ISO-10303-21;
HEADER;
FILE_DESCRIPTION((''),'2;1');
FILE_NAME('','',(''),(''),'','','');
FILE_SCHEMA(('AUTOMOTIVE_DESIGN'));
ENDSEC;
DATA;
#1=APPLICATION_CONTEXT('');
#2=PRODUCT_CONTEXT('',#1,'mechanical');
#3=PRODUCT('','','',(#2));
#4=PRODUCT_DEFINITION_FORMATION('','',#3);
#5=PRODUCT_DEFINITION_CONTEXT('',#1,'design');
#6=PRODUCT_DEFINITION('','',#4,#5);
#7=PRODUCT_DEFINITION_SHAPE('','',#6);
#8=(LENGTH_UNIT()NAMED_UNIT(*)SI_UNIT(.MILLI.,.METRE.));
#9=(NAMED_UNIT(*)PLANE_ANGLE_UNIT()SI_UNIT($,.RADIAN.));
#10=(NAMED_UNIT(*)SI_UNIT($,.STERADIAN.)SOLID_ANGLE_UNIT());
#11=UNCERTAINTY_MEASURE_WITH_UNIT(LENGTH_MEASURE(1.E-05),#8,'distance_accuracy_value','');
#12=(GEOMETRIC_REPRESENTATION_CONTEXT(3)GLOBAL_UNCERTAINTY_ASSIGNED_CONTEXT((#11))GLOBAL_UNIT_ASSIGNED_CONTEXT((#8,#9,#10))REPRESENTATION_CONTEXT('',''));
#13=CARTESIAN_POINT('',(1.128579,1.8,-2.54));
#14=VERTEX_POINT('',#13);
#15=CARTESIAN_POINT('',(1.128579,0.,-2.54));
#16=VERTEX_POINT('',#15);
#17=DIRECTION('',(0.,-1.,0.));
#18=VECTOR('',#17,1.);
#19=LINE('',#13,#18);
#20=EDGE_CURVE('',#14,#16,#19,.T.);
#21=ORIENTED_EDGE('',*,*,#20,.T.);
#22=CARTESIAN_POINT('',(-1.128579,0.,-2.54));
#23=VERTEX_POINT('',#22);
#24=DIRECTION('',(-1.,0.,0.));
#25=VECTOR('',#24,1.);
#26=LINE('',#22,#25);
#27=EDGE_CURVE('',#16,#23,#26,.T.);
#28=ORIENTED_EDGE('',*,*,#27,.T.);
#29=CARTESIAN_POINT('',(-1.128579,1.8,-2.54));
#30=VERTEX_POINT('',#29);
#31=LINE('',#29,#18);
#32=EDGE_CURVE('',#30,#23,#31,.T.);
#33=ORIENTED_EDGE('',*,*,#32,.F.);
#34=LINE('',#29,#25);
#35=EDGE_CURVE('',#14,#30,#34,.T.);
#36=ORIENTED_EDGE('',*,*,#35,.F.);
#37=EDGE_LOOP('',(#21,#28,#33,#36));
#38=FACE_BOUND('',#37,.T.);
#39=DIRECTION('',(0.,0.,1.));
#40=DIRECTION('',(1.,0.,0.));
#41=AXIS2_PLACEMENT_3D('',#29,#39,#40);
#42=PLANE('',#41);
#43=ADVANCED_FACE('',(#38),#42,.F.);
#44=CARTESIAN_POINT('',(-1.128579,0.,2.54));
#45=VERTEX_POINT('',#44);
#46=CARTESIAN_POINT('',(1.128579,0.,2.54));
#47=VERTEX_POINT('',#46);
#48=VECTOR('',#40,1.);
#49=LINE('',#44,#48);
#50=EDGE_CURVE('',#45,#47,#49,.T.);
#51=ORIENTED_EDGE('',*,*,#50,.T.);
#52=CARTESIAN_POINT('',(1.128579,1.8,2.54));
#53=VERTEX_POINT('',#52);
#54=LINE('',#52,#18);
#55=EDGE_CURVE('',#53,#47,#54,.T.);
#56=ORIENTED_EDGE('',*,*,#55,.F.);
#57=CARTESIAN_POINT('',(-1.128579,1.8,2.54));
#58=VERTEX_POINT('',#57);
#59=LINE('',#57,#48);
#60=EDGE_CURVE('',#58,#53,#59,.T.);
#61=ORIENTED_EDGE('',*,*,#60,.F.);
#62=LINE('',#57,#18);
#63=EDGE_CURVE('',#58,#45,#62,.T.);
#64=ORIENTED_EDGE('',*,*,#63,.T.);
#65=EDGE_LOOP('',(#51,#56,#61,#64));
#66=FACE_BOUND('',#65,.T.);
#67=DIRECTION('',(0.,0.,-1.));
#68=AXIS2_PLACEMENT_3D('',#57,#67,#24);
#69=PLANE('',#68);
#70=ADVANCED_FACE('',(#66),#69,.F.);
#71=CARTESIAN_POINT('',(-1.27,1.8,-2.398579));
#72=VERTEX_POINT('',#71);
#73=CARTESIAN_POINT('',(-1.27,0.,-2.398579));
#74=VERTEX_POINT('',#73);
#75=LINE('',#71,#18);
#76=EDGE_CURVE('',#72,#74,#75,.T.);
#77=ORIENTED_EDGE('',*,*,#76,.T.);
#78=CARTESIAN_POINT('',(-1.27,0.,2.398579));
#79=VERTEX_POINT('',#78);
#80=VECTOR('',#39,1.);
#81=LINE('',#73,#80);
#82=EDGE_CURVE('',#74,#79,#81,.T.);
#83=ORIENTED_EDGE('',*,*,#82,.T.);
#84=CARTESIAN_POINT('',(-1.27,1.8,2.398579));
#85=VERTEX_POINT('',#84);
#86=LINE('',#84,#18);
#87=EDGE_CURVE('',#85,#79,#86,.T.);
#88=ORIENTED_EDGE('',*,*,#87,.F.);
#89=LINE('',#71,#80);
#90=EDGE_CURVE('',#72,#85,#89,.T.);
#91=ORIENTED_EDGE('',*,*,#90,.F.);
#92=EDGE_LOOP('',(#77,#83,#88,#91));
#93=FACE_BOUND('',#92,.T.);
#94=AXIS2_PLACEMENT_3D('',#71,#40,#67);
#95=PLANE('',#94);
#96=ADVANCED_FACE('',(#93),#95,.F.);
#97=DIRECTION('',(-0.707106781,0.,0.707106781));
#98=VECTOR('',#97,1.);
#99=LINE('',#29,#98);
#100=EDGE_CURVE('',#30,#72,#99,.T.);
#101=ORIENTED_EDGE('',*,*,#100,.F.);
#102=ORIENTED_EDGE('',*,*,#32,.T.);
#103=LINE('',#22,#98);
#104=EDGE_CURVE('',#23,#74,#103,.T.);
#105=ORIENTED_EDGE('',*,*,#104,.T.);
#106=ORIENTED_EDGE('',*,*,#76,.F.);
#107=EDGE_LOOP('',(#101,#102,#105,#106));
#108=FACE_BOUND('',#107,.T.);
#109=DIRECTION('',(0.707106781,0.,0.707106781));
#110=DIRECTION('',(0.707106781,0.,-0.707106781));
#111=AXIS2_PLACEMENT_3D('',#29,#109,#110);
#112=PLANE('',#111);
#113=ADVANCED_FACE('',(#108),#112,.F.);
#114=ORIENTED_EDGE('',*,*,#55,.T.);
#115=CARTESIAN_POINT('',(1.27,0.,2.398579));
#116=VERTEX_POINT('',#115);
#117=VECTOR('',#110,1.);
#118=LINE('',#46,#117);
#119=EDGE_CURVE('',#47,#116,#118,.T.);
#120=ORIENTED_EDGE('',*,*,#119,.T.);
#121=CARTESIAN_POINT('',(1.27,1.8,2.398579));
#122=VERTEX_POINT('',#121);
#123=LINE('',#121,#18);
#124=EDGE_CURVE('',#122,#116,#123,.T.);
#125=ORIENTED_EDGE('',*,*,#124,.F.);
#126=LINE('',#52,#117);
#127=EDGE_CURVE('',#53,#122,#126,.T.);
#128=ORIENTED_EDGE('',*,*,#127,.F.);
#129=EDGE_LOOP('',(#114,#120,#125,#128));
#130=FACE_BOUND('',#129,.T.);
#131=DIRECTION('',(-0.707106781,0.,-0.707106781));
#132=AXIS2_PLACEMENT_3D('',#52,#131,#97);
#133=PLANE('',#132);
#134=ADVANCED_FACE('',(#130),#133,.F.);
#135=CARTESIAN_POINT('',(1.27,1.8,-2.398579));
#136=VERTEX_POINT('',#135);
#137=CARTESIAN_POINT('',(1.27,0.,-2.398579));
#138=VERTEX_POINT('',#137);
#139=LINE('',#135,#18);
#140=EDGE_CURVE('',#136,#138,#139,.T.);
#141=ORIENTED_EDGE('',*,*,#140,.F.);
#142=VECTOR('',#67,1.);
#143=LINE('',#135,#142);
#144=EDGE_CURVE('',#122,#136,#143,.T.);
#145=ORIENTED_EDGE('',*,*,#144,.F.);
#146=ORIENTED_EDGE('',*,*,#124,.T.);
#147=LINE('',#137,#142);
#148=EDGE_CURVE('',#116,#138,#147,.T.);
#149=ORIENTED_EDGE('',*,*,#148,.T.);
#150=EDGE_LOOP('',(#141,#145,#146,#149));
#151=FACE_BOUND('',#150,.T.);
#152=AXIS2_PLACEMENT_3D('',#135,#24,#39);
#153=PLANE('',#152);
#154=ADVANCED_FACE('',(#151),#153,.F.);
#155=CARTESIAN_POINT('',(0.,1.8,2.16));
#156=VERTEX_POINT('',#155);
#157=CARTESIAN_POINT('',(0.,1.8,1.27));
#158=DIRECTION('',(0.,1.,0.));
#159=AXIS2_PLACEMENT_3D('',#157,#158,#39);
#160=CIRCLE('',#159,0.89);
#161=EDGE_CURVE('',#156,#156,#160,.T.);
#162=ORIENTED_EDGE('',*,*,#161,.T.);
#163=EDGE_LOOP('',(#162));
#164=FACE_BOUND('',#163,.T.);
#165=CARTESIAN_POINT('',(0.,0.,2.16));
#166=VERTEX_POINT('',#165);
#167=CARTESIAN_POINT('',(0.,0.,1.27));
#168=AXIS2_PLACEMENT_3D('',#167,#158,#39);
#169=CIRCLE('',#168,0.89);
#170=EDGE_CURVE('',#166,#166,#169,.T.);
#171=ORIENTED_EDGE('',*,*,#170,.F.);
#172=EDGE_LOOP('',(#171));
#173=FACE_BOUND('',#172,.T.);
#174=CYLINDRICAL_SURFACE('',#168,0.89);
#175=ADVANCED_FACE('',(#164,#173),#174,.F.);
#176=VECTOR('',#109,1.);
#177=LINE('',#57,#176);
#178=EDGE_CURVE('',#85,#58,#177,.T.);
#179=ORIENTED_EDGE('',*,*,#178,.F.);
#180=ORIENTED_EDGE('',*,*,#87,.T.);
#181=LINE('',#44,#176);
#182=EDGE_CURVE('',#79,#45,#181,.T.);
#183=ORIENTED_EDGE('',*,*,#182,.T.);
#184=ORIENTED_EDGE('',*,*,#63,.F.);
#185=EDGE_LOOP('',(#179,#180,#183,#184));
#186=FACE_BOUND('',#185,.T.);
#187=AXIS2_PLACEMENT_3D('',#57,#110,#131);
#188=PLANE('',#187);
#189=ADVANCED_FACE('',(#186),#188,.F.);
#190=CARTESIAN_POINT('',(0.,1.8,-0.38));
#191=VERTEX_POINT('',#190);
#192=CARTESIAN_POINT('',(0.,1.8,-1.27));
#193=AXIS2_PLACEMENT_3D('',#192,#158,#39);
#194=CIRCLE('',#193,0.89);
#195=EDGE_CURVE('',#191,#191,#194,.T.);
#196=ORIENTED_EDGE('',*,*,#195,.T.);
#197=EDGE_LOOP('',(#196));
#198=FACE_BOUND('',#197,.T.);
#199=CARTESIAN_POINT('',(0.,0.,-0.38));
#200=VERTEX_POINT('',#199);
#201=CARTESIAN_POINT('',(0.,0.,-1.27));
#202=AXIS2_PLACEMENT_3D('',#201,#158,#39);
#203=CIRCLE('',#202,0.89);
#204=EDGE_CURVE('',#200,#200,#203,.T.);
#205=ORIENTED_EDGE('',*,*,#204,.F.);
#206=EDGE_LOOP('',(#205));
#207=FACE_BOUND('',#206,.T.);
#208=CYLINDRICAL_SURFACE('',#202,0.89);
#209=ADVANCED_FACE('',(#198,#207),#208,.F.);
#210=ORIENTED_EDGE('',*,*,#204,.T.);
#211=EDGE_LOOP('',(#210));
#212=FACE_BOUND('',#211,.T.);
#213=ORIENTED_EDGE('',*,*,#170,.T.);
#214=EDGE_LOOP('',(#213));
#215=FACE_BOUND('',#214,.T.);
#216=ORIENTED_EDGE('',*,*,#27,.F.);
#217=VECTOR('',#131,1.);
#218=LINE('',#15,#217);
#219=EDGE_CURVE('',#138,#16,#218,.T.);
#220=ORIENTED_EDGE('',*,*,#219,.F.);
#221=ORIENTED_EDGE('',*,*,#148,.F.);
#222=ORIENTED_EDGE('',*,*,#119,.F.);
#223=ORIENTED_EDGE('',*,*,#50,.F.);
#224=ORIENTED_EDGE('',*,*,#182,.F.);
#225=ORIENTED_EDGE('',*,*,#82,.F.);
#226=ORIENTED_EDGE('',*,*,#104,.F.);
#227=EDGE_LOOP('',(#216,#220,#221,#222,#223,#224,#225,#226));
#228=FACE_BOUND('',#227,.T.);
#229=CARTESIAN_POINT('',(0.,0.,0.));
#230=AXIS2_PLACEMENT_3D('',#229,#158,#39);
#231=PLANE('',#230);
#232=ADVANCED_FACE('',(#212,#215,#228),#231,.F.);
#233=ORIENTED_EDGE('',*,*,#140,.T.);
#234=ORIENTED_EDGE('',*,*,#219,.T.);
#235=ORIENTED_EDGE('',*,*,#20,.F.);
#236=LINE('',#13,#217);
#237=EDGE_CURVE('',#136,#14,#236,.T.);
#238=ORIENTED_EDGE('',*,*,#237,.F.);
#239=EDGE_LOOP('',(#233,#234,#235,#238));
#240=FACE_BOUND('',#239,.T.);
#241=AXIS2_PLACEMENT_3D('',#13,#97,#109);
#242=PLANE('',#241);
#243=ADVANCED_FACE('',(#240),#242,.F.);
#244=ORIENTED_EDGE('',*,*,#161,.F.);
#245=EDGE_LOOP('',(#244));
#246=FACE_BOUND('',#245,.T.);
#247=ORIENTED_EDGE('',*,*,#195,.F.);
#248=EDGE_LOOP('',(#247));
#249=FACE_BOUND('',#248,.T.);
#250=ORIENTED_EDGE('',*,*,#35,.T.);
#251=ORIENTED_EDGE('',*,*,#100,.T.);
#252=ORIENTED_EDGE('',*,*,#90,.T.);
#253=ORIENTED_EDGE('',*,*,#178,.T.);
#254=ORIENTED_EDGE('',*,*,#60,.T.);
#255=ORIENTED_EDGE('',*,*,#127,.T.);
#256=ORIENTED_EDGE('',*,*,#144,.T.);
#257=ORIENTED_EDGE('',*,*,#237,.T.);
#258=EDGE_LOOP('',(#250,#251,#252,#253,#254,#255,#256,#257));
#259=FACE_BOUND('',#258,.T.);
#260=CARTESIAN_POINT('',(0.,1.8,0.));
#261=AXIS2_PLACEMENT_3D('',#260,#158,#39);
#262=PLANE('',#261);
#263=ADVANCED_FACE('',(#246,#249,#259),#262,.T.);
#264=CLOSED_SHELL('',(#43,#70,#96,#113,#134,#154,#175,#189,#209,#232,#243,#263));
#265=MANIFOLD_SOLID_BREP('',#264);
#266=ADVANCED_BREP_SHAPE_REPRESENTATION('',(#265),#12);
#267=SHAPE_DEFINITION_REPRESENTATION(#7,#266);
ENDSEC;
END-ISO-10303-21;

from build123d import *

# Parameters (mm, degrees)
EXTRUDE_1_DEPTH     = 1.8
SKETCH_2_R          = 0.89
CUT_EXTRUDE_1_DEPTH = 4.362216531


with BuildPart() as part:
    # Эскиз1 → Бобышка-Вытянуть1 (new body)
    with BuildSketch(Plane(origin=(0, 0, 0), x_dir=(1, 0, 0), z_dir=(0, 1, 0))):
        Polygon((-1.128578644, 2.54), (1.128578644, 2.54), (1.27, 2.398578644), (1.27, -2.398578644), (1.128578644, -2.54), (-1.128578644, -2.54), (-1.27, -2.398578644), (-1.27, 2.398578644), align=None)
    extrude(amount=EXTRUDE_1_DEPTH)

    # Эскиз2 → Вырез-Вытянуть1 (cut, through all)
    with BuildSketch(Plane(origin=(0, 1.8, 0), x_dir=(1, 0, 0), z_dir=(0, 1, 0))):
        with Locations(Location((0, 1.27, 0), (0, 0, 270))):
            Circle(SKETCH_2_R)
        with Locations(Location((0, -1.27, 0), (0, 0, 270))):
            Circle(SKETCH_2_R)
    extrude(amount=-CUT_EXTRUDE_1_DEPTH, mode=Mode.SUBTRACT)


solid = part.part
